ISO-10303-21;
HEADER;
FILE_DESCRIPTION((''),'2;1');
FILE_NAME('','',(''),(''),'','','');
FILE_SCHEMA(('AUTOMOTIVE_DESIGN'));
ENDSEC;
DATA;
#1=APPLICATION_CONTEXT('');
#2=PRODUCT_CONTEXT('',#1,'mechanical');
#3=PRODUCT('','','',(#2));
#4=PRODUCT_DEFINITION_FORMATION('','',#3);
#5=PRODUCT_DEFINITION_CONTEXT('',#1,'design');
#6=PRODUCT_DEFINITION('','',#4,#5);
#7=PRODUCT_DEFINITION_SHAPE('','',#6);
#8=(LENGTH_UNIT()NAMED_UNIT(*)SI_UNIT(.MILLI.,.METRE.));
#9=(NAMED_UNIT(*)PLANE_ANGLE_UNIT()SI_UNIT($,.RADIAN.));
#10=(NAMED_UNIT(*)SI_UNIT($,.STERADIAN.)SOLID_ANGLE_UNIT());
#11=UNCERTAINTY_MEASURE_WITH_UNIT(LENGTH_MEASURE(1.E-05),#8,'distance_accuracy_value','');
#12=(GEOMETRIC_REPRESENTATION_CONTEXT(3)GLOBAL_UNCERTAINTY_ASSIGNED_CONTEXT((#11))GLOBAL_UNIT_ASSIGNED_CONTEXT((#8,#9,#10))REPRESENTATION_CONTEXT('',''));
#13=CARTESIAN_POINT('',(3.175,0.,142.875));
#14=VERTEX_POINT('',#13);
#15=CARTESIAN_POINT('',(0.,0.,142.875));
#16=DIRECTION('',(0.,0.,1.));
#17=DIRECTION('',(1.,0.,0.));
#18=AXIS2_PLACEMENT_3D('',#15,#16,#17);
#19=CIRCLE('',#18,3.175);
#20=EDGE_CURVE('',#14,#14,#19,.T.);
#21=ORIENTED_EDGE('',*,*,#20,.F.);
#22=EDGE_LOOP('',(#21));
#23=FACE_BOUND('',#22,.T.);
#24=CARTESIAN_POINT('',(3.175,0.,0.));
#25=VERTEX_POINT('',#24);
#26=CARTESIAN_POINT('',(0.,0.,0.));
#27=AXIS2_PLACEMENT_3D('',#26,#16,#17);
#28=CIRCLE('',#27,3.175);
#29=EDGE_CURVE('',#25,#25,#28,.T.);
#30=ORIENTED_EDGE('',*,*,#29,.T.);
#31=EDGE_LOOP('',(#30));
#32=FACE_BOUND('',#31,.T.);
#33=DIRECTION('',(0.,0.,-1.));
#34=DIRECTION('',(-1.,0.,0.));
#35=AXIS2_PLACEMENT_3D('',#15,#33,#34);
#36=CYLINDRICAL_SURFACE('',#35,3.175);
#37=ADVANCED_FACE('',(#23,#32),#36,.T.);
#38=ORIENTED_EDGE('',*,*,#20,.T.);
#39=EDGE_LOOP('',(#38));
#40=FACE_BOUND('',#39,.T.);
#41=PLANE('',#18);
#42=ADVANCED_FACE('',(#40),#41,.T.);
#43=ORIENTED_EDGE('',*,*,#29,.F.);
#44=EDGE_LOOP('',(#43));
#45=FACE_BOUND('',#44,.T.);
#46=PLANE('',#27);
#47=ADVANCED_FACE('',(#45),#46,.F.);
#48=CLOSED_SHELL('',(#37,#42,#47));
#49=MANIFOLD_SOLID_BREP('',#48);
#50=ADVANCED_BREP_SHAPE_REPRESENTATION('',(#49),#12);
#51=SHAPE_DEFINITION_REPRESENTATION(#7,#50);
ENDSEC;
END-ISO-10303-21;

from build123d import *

# Parameters (mm, degrees)
SKETCH1_R           = 3.175
BOSS_EXTRUDE1_DEPTH = 142.875


with BuildPart() as part:
    # Sketch1 → Boss-Extrude1 (new body)
    with BuildSketch(Plane.XY):
        Circle(SKETCH1_R)
    extrude(amount=BOSS_EXTRUDE1_DEPTH)


solid = part.part
